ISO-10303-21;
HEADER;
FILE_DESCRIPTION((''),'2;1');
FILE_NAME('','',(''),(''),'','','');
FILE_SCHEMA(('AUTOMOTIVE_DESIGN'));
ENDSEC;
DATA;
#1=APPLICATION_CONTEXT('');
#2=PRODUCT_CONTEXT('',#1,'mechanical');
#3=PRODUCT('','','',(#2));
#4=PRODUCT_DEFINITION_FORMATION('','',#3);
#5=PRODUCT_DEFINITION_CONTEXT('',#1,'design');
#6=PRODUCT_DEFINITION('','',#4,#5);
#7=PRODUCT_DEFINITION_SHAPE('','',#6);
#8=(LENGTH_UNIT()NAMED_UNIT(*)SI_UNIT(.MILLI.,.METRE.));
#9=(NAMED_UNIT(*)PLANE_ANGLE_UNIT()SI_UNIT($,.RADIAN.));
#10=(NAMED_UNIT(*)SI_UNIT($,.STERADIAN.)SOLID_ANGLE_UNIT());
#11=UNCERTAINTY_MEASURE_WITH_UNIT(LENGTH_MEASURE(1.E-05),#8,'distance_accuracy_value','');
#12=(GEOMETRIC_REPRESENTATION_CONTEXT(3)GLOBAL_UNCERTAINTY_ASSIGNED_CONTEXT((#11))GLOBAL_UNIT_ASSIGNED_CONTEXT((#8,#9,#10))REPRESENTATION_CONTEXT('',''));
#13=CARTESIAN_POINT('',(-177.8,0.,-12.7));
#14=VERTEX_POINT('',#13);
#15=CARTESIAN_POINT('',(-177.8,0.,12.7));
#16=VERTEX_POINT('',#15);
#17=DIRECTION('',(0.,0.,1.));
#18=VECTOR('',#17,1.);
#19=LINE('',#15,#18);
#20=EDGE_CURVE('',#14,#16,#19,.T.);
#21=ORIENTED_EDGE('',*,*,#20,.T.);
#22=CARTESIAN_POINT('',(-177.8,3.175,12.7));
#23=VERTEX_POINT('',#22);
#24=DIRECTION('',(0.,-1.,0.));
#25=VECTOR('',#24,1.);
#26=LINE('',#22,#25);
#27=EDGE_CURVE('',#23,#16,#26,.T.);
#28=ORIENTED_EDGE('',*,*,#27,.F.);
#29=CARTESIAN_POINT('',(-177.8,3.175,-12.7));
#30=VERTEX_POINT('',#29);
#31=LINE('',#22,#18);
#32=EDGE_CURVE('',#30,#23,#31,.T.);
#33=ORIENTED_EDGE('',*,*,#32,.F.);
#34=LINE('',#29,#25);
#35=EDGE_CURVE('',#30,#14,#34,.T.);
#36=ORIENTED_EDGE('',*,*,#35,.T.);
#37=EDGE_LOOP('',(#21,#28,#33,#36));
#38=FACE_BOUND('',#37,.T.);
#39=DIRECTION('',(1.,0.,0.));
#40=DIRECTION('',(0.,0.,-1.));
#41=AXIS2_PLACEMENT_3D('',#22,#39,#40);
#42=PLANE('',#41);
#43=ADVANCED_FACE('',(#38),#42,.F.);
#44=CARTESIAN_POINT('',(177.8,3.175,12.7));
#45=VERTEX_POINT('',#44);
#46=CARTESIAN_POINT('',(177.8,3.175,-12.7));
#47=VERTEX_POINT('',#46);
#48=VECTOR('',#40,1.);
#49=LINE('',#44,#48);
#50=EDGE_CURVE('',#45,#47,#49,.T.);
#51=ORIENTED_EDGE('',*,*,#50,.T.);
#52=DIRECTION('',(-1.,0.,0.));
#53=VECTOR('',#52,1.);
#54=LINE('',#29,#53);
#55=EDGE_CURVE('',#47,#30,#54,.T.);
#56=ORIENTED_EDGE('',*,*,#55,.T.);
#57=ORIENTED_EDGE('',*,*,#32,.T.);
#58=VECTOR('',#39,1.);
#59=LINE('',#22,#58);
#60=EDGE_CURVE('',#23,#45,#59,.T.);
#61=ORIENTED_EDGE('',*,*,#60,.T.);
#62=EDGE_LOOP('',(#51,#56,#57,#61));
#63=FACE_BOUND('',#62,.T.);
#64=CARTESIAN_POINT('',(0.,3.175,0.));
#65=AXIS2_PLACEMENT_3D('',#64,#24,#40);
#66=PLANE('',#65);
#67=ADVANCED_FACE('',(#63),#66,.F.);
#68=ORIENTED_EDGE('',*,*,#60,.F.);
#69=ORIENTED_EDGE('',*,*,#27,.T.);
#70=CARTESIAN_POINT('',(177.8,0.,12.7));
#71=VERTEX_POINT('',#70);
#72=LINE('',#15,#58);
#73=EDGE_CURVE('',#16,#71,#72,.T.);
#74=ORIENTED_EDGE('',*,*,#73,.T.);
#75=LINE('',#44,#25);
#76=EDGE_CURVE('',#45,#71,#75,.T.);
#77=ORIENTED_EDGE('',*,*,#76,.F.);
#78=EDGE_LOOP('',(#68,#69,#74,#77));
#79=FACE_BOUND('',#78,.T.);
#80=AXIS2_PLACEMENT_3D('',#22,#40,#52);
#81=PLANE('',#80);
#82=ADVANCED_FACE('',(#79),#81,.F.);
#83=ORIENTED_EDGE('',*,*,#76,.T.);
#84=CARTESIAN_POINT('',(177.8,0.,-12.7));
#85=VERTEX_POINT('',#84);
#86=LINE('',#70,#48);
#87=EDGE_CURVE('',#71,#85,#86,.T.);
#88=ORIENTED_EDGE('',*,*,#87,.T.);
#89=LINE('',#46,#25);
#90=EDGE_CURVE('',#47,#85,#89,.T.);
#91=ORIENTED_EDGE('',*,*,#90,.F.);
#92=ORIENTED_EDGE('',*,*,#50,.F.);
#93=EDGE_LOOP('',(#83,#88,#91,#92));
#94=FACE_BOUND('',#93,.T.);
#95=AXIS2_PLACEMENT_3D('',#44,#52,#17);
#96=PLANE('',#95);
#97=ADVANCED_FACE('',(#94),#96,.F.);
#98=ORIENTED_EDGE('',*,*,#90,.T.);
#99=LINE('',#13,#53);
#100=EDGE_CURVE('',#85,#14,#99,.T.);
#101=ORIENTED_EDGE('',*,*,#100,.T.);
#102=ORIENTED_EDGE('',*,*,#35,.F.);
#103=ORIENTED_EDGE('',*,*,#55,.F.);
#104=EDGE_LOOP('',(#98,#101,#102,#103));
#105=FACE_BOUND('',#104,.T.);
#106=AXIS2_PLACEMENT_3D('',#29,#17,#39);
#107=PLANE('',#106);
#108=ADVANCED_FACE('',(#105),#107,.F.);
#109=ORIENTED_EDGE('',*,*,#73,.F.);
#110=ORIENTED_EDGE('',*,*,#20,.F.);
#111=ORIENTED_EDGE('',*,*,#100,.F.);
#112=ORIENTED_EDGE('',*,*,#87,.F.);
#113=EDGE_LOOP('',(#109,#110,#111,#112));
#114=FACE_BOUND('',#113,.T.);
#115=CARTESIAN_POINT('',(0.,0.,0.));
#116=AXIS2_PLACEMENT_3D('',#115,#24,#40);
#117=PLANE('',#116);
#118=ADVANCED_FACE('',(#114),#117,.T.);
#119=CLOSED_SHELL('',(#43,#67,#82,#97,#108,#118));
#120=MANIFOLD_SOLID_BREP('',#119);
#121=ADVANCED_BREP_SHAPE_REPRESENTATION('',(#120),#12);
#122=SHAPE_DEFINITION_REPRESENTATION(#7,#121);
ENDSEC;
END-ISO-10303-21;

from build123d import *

# Parameters (mm, degrees)
SKETCH2_W           = 355.6
SKETCH2_H           = 25.4
BOSS_EXTRUDE1_DEPTH = 3.175


with BuildPart() as part:
    # Sketch2 → Boss-Extrude1 (new body)
    with BuildSketch(Plane(origin=(0, 0, 0), x_dir=(1, 0, 0), z_dir=(0, 1, 0))):
        Rectangle(SKETCH2_W, SKETCH2_H)
    extrude(amount=BOSS_EXTRUDE1_DEPTH)


solid = part.part
